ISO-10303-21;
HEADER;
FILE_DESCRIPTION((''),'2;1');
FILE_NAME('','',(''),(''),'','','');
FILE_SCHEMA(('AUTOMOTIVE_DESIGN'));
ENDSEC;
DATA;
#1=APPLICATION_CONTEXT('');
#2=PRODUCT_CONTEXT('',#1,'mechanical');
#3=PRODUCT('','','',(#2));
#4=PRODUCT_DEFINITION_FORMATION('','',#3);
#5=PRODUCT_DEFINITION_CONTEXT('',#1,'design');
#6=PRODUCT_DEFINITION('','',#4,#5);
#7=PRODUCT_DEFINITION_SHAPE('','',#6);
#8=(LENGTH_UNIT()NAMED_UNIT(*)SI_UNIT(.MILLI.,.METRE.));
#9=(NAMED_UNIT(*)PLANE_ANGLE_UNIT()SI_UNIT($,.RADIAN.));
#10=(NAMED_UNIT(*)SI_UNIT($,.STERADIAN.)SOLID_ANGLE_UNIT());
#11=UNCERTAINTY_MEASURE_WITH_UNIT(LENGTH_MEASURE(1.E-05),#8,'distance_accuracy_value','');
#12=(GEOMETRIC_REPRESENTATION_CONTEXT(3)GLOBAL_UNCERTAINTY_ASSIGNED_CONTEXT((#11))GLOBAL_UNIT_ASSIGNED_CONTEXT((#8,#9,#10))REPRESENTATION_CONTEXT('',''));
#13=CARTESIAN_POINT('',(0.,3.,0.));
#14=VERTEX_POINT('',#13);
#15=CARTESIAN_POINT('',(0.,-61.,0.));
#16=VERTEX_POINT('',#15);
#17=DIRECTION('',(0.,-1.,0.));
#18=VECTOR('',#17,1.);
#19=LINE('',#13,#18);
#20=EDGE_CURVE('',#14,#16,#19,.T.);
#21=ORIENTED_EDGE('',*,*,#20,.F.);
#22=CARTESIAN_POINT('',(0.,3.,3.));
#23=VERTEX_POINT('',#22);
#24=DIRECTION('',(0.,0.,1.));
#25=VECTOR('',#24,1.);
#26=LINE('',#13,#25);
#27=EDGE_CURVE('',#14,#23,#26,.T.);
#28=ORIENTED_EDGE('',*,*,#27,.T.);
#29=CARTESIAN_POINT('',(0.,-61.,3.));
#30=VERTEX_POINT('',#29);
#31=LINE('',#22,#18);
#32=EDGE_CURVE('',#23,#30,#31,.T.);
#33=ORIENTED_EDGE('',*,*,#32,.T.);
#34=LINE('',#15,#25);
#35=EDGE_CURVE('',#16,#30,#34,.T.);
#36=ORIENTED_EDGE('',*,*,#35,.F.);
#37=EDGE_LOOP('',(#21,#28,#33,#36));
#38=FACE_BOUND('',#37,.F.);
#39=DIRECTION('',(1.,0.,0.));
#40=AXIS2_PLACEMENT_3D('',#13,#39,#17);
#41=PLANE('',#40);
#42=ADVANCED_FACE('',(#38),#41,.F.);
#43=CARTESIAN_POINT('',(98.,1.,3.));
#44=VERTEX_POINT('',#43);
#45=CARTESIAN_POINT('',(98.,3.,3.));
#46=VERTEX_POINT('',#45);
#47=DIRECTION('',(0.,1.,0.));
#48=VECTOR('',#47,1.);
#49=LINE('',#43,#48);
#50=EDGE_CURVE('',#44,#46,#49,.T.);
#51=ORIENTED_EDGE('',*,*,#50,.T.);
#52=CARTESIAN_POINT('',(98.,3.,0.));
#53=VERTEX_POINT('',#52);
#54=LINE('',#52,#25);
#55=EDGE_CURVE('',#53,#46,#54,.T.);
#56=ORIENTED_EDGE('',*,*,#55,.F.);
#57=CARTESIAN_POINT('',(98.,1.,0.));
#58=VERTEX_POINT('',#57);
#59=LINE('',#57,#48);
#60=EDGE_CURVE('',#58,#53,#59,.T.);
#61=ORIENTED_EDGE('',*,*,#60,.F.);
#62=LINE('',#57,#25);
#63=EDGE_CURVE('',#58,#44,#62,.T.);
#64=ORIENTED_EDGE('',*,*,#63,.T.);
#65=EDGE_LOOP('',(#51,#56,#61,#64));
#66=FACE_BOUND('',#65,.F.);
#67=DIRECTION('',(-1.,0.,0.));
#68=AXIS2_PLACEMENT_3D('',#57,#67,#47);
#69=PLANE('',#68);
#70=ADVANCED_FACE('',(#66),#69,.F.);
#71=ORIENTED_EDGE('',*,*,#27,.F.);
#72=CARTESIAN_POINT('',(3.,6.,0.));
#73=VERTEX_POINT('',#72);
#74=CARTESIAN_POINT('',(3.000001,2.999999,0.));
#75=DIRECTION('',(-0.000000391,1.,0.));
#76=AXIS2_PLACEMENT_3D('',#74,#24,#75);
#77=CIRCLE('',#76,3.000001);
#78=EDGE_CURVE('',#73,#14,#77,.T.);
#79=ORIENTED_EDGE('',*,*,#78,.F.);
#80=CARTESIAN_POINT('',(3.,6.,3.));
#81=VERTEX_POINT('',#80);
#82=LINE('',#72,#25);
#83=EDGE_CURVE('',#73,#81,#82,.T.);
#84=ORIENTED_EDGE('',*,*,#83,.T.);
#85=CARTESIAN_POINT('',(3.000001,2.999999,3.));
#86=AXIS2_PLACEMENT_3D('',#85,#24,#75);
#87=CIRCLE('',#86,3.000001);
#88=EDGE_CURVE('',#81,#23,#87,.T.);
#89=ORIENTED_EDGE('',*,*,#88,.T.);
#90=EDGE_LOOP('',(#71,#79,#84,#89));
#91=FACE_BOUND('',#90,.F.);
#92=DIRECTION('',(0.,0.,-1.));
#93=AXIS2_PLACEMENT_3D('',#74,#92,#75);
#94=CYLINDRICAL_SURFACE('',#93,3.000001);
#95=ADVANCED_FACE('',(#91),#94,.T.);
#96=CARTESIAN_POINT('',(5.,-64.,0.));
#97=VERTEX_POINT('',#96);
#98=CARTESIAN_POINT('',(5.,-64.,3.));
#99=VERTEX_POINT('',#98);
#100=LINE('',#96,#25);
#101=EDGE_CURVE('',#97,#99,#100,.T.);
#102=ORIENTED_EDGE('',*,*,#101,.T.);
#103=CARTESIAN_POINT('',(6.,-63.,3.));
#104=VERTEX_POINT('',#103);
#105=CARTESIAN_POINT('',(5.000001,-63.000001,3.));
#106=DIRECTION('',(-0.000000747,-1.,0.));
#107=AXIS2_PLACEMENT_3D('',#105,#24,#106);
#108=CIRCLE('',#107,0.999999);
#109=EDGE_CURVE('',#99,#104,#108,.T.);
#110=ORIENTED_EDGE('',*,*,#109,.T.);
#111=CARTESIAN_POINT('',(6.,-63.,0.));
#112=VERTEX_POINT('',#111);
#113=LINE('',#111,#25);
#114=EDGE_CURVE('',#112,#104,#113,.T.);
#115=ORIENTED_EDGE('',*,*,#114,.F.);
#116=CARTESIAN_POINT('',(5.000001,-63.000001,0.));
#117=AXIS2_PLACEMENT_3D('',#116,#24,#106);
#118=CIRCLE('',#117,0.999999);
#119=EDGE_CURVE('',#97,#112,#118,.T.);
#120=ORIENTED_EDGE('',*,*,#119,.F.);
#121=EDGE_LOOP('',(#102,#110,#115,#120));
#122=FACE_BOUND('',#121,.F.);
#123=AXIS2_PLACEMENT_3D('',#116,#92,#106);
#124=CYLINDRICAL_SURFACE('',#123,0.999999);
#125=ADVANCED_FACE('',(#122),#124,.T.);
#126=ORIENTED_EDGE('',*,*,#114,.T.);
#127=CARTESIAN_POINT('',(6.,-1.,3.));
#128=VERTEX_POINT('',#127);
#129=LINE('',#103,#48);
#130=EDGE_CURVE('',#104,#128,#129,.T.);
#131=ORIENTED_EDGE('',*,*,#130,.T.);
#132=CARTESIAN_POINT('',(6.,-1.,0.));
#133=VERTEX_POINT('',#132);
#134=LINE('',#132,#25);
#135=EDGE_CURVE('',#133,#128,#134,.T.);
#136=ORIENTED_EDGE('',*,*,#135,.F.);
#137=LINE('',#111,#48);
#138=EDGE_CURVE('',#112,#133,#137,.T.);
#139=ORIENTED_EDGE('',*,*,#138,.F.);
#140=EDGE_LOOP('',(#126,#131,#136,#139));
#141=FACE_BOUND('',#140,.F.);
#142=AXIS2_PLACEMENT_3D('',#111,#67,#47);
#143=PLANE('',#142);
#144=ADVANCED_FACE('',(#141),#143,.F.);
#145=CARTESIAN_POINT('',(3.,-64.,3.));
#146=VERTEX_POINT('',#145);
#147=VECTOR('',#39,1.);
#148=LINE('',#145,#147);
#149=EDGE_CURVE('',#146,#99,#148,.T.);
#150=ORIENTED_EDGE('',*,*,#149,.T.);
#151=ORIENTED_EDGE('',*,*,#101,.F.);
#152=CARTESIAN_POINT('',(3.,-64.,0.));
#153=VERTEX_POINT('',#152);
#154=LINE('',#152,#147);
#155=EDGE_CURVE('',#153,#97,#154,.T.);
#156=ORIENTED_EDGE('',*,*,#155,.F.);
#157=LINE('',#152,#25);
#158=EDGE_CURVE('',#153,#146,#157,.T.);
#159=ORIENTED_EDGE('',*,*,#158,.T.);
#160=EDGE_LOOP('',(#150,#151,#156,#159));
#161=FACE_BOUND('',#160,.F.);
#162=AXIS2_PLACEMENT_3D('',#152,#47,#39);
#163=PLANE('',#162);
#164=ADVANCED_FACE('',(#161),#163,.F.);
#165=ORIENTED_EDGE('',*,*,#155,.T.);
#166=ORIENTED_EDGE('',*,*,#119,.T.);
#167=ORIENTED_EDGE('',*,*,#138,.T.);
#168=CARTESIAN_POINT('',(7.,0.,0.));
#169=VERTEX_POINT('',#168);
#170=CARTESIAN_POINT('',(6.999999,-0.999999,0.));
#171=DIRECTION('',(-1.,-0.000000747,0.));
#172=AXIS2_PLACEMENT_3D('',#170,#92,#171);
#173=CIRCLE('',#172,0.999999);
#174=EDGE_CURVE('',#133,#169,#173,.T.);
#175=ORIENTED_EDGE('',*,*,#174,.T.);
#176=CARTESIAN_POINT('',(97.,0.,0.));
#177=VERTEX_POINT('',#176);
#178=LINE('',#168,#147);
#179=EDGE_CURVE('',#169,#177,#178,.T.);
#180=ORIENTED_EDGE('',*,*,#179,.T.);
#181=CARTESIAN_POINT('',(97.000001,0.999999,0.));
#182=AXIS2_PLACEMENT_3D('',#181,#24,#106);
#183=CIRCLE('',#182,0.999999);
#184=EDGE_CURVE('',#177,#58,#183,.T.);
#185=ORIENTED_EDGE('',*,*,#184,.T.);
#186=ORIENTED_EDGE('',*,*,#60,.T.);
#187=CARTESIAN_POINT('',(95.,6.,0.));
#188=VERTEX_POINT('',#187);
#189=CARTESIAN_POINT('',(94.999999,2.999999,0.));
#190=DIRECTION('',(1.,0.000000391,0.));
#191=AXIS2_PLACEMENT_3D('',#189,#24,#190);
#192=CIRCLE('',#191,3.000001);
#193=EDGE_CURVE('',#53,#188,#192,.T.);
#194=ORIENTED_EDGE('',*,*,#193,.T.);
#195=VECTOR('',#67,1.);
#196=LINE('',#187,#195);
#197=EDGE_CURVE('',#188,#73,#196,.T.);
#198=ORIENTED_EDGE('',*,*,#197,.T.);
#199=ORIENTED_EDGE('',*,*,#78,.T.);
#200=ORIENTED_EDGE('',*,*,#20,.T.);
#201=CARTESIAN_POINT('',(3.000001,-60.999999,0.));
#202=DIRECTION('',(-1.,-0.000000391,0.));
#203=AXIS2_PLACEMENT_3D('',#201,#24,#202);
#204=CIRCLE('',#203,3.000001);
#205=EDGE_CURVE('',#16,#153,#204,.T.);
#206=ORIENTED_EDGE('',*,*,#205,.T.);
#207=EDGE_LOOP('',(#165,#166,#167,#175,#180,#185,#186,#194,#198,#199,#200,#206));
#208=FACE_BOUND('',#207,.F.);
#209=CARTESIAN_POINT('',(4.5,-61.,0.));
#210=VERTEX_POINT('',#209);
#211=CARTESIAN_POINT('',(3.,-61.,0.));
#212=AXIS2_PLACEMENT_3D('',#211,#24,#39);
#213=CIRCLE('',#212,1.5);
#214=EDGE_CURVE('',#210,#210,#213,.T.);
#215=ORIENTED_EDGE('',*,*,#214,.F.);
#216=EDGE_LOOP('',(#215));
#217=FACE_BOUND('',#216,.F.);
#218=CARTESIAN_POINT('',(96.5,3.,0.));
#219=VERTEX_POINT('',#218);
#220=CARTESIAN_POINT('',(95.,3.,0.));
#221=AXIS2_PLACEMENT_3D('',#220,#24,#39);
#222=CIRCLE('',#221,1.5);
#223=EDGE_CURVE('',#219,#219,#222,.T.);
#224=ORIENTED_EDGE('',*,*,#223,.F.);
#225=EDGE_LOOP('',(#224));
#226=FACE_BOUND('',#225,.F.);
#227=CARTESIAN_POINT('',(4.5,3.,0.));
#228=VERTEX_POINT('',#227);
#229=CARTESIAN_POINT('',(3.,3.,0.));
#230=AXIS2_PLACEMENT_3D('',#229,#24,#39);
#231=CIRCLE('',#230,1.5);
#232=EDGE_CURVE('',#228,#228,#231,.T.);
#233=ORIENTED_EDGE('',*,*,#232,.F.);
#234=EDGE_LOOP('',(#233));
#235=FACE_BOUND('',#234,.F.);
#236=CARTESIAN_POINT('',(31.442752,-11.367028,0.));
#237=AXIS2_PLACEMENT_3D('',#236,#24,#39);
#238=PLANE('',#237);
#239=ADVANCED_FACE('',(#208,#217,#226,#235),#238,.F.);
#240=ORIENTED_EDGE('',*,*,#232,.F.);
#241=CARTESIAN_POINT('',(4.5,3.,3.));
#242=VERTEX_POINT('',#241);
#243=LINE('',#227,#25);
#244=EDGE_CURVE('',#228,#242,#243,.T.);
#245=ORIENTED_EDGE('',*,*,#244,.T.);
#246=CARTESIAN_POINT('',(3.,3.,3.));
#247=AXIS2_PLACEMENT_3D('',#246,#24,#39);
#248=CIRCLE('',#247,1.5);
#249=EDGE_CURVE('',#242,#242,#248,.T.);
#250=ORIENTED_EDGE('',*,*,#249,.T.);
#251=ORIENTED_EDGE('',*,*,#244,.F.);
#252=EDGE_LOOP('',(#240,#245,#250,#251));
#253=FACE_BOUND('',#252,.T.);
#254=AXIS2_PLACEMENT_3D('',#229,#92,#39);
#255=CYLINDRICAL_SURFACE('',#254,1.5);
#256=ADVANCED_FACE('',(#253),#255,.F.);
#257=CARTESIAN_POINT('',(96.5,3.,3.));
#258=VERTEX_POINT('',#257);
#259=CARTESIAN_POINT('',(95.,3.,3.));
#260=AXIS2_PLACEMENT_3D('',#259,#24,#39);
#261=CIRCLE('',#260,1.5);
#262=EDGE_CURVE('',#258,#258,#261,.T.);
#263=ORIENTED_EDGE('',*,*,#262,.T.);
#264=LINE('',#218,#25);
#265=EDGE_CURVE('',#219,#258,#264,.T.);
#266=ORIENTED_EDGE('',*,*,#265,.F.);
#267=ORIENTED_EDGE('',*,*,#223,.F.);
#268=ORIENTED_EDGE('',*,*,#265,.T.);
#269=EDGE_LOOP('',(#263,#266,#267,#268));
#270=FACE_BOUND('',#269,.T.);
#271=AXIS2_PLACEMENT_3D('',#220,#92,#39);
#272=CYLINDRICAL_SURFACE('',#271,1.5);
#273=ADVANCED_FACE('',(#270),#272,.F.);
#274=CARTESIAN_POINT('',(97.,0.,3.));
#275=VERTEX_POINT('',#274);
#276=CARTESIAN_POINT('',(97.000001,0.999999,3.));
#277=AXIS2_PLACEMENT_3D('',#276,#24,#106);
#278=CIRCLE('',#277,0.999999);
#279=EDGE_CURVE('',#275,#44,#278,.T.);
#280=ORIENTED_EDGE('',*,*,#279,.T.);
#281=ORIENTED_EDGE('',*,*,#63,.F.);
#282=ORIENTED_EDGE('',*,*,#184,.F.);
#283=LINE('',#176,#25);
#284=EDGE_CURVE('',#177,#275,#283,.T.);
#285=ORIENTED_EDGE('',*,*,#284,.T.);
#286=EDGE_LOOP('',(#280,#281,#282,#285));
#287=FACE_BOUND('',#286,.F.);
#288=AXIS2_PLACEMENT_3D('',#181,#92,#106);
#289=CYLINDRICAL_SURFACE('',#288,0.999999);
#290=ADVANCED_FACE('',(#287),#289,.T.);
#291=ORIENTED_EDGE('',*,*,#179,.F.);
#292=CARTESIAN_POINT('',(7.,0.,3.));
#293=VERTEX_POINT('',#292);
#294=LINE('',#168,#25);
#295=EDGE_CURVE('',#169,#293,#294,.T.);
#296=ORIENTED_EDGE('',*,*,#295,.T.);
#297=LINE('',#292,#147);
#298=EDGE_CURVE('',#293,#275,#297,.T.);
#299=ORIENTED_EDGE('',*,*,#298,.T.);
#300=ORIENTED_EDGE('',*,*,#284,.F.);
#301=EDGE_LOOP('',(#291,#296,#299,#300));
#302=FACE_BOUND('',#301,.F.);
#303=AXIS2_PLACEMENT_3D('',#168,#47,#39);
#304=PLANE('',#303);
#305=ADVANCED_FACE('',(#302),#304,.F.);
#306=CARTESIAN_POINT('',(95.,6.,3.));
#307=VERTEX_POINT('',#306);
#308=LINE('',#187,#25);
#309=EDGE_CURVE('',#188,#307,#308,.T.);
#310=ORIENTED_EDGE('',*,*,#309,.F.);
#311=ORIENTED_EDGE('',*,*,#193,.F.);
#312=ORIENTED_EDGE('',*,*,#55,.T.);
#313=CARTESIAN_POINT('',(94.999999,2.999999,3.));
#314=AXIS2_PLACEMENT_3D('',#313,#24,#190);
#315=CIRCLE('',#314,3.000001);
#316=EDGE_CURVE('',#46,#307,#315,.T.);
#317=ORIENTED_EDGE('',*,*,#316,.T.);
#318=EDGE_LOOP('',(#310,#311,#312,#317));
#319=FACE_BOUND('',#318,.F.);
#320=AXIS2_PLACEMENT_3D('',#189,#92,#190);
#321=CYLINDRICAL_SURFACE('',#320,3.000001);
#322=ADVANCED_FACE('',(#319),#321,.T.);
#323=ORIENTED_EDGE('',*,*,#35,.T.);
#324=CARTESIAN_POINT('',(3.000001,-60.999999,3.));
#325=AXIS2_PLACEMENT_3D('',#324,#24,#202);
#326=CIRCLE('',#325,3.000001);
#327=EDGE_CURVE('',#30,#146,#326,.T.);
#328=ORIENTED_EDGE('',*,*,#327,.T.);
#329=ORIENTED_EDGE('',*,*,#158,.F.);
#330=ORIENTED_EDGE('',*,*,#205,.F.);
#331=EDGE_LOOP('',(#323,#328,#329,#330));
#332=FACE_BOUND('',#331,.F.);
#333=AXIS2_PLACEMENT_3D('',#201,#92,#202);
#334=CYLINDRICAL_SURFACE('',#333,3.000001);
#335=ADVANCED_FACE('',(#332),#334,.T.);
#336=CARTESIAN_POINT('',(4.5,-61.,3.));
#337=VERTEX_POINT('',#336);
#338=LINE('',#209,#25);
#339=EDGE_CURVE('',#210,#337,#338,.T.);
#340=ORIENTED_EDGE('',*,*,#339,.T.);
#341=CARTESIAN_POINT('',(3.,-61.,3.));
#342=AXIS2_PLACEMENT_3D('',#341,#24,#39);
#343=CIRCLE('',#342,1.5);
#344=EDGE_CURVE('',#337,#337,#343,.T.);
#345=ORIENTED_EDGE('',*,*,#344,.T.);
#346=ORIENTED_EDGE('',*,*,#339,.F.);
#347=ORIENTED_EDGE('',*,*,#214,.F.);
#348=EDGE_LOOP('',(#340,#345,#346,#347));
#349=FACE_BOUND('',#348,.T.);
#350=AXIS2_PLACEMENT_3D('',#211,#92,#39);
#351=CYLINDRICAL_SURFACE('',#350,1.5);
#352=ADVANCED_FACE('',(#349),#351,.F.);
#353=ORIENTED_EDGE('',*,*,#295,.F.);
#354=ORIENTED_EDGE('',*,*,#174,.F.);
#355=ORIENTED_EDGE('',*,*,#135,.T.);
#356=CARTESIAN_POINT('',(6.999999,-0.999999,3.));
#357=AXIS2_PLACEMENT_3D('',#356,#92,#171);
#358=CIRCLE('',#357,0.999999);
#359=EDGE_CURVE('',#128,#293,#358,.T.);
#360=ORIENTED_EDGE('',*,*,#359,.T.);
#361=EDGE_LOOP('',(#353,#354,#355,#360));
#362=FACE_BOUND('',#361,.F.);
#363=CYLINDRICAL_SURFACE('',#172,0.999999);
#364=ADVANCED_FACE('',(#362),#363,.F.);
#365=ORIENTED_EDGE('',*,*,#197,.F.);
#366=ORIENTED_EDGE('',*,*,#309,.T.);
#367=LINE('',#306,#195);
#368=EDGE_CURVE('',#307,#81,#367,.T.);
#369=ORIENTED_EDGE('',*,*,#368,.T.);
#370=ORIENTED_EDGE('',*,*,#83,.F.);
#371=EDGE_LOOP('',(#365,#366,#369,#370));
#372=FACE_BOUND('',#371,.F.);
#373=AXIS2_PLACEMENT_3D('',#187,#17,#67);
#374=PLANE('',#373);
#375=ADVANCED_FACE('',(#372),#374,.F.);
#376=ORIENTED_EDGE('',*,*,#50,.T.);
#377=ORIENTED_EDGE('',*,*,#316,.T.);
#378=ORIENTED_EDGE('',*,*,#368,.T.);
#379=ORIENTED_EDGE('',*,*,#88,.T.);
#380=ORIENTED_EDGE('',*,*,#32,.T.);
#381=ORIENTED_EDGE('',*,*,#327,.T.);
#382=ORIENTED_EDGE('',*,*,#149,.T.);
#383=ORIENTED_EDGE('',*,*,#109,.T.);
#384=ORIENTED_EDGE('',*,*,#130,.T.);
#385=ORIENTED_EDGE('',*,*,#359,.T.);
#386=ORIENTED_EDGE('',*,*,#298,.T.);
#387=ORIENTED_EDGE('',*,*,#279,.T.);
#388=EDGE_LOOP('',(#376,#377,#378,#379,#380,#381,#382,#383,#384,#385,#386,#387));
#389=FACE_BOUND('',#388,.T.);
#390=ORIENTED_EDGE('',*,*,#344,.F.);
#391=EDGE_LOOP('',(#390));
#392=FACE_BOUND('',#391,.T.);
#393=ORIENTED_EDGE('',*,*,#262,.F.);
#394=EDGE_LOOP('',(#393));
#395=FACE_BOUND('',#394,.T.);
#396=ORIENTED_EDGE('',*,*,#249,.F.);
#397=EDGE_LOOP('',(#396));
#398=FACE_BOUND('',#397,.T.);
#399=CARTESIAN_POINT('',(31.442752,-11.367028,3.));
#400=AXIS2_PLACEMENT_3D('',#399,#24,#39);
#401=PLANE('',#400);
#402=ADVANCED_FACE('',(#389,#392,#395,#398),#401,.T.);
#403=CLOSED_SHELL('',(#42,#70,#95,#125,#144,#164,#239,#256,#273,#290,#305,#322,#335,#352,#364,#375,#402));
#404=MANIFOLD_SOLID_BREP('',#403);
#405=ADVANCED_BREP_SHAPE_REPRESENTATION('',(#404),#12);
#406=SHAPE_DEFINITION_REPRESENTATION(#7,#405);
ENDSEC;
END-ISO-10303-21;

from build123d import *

# Parameters (mm, degrees)
F0_R     = 1.5
F1_DEPTH = 3


with BuildPart() as f1:
    # F0 (on Top) → F1 (new body)
    with BuildSketch(Plane.XY):
        with BuildLine():
            ThreePointArc((6, -1), (6.292893, -0.292893), (7, 0))
            Line((7, 0), (97, 0))
            ThreePointArc((97, 0), (97.707107, 0.292893), (98, 1))
            Line((98, 1), (98, 3))
            ThreePointArc((98, 3), (97.12132, 5.12132), (95, 6))
            Line((95, 6), (3, 6))
            ThreePointArc((3, 6), (0.87868, 5.12132), (0, 3))
            Line((0, 3), (0, 1))
            Line((0, 1), (0, 0))
            Line((0, 0), (0, -61))
            ThreePointArc((0, -61), (0.87868, -63.12132), (3, -64))
            Line((3, -64), (5, -64))
            ThreePointArc((5, -64), (5.707107, -63.707107), (6, -63))
            Line((6, -63), (6, -1))
        make_face()
        with Locations((3, -61)):
            Circle(F0_R, mode=Mode.SUBTRACT)
        with Locations((3, 3)):
            Circle(F0_R, mode=Mode.SUBTRACT)
        with Locations((95, 3)):
            Circle(F0_R, mode=Mode.SUBTRACT)
    extrude(amount=F1_DEPTH)


solid = f1.part
